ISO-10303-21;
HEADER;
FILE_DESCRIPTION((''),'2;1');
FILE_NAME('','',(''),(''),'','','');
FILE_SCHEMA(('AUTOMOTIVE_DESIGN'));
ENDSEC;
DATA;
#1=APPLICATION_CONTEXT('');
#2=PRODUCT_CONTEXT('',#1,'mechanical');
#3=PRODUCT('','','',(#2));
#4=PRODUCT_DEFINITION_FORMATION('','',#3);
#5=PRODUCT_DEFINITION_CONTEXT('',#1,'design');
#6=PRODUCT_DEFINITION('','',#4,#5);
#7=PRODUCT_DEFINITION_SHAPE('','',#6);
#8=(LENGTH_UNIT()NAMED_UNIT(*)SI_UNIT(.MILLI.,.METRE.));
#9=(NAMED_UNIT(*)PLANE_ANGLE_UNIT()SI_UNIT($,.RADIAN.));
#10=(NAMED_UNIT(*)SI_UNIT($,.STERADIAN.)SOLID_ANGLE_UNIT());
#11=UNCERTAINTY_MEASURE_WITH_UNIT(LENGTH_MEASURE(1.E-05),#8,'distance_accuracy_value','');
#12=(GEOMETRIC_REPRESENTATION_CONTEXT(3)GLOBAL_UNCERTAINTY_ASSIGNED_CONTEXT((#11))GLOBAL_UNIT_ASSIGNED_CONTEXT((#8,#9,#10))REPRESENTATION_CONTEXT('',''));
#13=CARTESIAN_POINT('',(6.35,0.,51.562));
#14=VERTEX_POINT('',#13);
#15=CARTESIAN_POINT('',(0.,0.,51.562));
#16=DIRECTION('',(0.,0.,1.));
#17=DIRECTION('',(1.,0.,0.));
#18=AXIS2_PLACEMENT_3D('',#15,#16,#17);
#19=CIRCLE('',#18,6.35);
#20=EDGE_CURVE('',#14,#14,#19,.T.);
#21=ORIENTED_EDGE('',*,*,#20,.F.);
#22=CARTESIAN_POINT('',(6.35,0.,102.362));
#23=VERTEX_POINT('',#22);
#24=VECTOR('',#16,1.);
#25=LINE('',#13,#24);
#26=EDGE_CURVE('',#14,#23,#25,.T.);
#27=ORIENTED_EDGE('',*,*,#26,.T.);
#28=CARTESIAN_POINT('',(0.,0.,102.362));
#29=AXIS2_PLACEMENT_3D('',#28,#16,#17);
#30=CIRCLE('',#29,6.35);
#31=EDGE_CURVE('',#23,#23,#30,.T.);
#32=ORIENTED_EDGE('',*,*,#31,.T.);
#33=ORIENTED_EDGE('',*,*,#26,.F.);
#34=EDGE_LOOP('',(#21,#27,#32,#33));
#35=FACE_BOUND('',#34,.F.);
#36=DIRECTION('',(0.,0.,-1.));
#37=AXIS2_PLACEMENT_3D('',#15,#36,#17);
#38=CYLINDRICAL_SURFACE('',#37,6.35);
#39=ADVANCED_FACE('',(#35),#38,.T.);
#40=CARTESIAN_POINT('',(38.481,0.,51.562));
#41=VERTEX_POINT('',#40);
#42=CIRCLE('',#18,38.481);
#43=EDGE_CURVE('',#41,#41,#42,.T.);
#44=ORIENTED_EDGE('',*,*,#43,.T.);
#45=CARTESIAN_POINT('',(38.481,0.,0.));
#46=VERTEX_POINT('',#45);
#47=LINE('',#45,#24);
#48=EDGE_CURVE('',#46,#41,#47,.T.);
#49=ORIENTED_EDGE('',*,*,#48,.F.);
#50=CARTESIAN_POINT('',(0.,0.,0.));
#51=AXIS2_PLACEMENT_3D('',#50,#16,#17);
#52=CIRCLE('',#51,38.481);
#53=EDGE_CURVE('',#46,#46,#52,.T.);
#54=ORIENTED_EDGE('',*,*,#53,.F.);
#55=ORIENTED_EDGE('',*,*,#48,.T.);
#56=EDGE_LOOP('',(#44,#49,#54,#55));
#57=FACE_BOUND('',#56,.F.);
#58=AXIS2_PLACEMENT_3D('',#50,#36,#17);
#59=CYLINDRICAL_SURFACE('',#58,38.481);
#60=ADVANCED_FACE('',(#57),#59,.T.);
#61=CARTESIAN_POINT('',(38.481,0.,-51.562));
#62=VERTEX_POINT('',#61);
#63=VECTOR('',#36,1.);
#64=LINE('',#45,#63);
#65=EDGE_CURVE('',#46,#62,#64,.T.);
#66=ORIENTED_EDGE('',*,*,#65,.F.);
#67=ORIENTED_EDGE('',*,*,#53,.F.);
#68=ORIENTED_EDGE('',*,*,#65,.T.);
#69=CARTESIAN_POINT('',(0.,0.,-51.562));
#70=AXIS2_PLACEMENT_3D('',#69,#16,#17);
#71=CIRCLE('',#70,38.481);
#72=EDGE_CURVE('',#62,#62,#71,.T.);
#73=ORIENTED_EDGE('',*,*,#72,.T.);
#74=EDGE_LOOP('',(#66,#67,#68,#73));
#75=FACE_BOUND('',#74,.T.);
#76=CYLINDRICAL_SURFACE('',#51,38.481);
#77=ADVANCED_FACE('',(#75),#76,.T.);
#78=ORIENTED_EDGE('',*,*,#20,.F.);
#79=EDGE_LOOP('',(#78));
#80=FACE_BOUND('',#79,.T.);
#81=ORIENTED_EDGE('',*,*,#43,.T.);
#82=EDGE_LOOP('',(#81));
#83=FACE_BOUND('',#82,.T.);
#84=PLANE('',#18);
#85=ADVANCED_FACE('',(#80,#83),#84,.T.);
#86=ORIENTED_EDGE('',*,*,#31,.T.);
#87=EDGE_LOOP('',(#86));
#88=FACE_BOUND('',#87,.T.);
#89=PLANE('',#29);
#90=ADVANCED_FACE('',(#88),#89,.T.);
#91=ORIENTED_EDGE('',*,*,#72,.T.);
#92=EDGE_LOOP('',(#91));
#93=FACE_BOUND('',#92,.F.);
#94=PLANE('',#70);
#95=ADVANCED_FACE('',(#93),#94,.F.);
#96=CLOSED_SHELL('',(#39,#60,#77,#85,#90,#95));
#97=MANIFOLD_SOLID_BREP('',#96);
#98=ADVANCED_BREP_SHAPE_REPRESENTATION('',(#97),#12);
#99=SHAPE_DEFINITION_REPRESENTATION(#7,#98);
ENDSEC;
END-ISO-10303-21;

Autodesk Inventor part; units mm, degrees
ref_plane "YZ Plane" through (0, 0, 0) normal (1, 0, 0) x (0, 1, 0)
ref_plane "XZ Plane" through (0, 0, 0) normal (0, 1, 0) x (-1, 0, 0)
ref_plane "XY Plane" through (0, 0, 0) normal (0, 0, 1) x (1, 0, 0)
sketch "Sketch1" plane through (0, 0, 0) normal (0, 0, 1) x (1, 0, 0)
  circle A0 centre (0, 0) radius 38.481
  dimension "d0" = 76.962
extrude "Extrusion1" add sketch "Sketch1" along normal mid plane 103.124
sketch "Sketch2" plane through (0, 0, 51.562) normal (0, 0, 1) x (1, 0, 0)
  circle A0 centre (0, 0) radius 6.35
  dimension "d3" = 12.7
extrude "Extrusion2" add sketch "Sketch2" along normal blind 50.8
properties part number "Amplow A28-150 Motor"
